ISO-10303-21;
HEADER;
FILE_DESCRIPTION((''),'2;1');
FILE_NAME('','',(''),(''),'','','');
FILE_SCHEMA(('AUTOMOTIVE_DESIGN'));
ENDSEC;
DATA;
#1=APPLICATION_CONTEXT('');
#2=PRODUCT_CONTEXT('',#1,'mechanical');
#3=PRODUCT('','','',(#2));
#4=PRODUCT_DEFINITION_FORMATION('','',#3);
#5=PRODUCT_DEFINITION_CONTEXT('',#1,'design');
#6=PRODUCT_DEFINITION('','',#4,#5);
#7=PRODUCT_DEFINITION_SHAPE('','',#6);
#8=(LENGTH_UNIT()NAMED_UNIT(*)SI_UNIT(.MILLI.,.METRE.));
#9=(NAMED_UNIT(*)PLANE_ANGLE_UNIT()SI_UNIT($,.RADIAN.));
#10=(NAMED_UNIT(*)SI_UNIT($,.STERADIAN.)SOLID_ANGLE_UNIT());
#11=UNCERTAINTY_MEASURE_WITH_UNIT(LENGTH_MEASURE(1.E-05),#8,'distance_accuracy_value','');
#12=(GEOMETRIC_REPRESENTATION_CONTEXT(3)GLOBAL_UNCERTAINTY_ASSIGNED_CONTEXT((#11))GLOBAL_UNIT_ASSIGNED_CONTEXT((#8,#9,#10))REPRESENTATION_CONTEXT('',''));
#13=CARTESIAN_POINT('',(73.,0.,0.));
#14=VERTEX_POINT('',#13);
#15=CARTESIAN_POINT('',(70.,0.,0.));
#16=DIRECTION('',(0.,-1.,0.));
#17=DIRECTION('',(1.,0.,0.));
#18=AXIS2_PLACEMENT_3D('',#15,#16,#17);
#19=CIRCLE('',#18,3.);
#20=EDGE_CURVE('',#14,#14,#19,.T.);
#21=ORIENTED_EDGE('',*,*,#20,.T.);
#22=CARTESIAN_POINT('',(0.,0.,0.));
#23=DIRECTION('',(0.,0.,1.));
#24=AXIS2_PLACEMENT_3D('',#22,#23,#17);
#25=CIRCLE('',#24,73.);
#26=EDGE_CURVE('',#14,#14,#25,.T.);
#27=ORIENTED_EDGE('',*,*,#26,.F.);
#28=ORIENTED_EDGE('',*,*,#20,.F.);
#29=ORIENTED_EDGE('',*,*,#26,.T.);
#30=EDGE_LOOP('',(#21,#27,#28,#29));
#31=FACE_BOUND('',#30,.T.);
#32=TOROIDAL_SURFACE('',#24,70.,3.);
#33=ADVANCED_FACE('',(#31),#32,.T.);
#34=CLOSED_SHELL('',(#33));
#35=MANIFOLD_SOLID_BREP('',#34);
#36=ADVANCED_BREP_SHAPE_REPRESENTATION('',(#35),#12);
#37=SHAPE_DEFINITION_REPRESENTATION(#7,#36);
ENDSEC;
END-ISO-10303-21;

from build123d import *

# Parameters (mm, degrees)
TORUS_R = 3


with BuildPart() as part:
    # Torus → Torus (revolve)
    with BuildSketch(Plane.XZ):
        with Locations((70, 0)):
            Circle(TORUS_R)
    revolve(axis=Axis((0, 0, 0), (0, 0, 1)))


solid = part.part
